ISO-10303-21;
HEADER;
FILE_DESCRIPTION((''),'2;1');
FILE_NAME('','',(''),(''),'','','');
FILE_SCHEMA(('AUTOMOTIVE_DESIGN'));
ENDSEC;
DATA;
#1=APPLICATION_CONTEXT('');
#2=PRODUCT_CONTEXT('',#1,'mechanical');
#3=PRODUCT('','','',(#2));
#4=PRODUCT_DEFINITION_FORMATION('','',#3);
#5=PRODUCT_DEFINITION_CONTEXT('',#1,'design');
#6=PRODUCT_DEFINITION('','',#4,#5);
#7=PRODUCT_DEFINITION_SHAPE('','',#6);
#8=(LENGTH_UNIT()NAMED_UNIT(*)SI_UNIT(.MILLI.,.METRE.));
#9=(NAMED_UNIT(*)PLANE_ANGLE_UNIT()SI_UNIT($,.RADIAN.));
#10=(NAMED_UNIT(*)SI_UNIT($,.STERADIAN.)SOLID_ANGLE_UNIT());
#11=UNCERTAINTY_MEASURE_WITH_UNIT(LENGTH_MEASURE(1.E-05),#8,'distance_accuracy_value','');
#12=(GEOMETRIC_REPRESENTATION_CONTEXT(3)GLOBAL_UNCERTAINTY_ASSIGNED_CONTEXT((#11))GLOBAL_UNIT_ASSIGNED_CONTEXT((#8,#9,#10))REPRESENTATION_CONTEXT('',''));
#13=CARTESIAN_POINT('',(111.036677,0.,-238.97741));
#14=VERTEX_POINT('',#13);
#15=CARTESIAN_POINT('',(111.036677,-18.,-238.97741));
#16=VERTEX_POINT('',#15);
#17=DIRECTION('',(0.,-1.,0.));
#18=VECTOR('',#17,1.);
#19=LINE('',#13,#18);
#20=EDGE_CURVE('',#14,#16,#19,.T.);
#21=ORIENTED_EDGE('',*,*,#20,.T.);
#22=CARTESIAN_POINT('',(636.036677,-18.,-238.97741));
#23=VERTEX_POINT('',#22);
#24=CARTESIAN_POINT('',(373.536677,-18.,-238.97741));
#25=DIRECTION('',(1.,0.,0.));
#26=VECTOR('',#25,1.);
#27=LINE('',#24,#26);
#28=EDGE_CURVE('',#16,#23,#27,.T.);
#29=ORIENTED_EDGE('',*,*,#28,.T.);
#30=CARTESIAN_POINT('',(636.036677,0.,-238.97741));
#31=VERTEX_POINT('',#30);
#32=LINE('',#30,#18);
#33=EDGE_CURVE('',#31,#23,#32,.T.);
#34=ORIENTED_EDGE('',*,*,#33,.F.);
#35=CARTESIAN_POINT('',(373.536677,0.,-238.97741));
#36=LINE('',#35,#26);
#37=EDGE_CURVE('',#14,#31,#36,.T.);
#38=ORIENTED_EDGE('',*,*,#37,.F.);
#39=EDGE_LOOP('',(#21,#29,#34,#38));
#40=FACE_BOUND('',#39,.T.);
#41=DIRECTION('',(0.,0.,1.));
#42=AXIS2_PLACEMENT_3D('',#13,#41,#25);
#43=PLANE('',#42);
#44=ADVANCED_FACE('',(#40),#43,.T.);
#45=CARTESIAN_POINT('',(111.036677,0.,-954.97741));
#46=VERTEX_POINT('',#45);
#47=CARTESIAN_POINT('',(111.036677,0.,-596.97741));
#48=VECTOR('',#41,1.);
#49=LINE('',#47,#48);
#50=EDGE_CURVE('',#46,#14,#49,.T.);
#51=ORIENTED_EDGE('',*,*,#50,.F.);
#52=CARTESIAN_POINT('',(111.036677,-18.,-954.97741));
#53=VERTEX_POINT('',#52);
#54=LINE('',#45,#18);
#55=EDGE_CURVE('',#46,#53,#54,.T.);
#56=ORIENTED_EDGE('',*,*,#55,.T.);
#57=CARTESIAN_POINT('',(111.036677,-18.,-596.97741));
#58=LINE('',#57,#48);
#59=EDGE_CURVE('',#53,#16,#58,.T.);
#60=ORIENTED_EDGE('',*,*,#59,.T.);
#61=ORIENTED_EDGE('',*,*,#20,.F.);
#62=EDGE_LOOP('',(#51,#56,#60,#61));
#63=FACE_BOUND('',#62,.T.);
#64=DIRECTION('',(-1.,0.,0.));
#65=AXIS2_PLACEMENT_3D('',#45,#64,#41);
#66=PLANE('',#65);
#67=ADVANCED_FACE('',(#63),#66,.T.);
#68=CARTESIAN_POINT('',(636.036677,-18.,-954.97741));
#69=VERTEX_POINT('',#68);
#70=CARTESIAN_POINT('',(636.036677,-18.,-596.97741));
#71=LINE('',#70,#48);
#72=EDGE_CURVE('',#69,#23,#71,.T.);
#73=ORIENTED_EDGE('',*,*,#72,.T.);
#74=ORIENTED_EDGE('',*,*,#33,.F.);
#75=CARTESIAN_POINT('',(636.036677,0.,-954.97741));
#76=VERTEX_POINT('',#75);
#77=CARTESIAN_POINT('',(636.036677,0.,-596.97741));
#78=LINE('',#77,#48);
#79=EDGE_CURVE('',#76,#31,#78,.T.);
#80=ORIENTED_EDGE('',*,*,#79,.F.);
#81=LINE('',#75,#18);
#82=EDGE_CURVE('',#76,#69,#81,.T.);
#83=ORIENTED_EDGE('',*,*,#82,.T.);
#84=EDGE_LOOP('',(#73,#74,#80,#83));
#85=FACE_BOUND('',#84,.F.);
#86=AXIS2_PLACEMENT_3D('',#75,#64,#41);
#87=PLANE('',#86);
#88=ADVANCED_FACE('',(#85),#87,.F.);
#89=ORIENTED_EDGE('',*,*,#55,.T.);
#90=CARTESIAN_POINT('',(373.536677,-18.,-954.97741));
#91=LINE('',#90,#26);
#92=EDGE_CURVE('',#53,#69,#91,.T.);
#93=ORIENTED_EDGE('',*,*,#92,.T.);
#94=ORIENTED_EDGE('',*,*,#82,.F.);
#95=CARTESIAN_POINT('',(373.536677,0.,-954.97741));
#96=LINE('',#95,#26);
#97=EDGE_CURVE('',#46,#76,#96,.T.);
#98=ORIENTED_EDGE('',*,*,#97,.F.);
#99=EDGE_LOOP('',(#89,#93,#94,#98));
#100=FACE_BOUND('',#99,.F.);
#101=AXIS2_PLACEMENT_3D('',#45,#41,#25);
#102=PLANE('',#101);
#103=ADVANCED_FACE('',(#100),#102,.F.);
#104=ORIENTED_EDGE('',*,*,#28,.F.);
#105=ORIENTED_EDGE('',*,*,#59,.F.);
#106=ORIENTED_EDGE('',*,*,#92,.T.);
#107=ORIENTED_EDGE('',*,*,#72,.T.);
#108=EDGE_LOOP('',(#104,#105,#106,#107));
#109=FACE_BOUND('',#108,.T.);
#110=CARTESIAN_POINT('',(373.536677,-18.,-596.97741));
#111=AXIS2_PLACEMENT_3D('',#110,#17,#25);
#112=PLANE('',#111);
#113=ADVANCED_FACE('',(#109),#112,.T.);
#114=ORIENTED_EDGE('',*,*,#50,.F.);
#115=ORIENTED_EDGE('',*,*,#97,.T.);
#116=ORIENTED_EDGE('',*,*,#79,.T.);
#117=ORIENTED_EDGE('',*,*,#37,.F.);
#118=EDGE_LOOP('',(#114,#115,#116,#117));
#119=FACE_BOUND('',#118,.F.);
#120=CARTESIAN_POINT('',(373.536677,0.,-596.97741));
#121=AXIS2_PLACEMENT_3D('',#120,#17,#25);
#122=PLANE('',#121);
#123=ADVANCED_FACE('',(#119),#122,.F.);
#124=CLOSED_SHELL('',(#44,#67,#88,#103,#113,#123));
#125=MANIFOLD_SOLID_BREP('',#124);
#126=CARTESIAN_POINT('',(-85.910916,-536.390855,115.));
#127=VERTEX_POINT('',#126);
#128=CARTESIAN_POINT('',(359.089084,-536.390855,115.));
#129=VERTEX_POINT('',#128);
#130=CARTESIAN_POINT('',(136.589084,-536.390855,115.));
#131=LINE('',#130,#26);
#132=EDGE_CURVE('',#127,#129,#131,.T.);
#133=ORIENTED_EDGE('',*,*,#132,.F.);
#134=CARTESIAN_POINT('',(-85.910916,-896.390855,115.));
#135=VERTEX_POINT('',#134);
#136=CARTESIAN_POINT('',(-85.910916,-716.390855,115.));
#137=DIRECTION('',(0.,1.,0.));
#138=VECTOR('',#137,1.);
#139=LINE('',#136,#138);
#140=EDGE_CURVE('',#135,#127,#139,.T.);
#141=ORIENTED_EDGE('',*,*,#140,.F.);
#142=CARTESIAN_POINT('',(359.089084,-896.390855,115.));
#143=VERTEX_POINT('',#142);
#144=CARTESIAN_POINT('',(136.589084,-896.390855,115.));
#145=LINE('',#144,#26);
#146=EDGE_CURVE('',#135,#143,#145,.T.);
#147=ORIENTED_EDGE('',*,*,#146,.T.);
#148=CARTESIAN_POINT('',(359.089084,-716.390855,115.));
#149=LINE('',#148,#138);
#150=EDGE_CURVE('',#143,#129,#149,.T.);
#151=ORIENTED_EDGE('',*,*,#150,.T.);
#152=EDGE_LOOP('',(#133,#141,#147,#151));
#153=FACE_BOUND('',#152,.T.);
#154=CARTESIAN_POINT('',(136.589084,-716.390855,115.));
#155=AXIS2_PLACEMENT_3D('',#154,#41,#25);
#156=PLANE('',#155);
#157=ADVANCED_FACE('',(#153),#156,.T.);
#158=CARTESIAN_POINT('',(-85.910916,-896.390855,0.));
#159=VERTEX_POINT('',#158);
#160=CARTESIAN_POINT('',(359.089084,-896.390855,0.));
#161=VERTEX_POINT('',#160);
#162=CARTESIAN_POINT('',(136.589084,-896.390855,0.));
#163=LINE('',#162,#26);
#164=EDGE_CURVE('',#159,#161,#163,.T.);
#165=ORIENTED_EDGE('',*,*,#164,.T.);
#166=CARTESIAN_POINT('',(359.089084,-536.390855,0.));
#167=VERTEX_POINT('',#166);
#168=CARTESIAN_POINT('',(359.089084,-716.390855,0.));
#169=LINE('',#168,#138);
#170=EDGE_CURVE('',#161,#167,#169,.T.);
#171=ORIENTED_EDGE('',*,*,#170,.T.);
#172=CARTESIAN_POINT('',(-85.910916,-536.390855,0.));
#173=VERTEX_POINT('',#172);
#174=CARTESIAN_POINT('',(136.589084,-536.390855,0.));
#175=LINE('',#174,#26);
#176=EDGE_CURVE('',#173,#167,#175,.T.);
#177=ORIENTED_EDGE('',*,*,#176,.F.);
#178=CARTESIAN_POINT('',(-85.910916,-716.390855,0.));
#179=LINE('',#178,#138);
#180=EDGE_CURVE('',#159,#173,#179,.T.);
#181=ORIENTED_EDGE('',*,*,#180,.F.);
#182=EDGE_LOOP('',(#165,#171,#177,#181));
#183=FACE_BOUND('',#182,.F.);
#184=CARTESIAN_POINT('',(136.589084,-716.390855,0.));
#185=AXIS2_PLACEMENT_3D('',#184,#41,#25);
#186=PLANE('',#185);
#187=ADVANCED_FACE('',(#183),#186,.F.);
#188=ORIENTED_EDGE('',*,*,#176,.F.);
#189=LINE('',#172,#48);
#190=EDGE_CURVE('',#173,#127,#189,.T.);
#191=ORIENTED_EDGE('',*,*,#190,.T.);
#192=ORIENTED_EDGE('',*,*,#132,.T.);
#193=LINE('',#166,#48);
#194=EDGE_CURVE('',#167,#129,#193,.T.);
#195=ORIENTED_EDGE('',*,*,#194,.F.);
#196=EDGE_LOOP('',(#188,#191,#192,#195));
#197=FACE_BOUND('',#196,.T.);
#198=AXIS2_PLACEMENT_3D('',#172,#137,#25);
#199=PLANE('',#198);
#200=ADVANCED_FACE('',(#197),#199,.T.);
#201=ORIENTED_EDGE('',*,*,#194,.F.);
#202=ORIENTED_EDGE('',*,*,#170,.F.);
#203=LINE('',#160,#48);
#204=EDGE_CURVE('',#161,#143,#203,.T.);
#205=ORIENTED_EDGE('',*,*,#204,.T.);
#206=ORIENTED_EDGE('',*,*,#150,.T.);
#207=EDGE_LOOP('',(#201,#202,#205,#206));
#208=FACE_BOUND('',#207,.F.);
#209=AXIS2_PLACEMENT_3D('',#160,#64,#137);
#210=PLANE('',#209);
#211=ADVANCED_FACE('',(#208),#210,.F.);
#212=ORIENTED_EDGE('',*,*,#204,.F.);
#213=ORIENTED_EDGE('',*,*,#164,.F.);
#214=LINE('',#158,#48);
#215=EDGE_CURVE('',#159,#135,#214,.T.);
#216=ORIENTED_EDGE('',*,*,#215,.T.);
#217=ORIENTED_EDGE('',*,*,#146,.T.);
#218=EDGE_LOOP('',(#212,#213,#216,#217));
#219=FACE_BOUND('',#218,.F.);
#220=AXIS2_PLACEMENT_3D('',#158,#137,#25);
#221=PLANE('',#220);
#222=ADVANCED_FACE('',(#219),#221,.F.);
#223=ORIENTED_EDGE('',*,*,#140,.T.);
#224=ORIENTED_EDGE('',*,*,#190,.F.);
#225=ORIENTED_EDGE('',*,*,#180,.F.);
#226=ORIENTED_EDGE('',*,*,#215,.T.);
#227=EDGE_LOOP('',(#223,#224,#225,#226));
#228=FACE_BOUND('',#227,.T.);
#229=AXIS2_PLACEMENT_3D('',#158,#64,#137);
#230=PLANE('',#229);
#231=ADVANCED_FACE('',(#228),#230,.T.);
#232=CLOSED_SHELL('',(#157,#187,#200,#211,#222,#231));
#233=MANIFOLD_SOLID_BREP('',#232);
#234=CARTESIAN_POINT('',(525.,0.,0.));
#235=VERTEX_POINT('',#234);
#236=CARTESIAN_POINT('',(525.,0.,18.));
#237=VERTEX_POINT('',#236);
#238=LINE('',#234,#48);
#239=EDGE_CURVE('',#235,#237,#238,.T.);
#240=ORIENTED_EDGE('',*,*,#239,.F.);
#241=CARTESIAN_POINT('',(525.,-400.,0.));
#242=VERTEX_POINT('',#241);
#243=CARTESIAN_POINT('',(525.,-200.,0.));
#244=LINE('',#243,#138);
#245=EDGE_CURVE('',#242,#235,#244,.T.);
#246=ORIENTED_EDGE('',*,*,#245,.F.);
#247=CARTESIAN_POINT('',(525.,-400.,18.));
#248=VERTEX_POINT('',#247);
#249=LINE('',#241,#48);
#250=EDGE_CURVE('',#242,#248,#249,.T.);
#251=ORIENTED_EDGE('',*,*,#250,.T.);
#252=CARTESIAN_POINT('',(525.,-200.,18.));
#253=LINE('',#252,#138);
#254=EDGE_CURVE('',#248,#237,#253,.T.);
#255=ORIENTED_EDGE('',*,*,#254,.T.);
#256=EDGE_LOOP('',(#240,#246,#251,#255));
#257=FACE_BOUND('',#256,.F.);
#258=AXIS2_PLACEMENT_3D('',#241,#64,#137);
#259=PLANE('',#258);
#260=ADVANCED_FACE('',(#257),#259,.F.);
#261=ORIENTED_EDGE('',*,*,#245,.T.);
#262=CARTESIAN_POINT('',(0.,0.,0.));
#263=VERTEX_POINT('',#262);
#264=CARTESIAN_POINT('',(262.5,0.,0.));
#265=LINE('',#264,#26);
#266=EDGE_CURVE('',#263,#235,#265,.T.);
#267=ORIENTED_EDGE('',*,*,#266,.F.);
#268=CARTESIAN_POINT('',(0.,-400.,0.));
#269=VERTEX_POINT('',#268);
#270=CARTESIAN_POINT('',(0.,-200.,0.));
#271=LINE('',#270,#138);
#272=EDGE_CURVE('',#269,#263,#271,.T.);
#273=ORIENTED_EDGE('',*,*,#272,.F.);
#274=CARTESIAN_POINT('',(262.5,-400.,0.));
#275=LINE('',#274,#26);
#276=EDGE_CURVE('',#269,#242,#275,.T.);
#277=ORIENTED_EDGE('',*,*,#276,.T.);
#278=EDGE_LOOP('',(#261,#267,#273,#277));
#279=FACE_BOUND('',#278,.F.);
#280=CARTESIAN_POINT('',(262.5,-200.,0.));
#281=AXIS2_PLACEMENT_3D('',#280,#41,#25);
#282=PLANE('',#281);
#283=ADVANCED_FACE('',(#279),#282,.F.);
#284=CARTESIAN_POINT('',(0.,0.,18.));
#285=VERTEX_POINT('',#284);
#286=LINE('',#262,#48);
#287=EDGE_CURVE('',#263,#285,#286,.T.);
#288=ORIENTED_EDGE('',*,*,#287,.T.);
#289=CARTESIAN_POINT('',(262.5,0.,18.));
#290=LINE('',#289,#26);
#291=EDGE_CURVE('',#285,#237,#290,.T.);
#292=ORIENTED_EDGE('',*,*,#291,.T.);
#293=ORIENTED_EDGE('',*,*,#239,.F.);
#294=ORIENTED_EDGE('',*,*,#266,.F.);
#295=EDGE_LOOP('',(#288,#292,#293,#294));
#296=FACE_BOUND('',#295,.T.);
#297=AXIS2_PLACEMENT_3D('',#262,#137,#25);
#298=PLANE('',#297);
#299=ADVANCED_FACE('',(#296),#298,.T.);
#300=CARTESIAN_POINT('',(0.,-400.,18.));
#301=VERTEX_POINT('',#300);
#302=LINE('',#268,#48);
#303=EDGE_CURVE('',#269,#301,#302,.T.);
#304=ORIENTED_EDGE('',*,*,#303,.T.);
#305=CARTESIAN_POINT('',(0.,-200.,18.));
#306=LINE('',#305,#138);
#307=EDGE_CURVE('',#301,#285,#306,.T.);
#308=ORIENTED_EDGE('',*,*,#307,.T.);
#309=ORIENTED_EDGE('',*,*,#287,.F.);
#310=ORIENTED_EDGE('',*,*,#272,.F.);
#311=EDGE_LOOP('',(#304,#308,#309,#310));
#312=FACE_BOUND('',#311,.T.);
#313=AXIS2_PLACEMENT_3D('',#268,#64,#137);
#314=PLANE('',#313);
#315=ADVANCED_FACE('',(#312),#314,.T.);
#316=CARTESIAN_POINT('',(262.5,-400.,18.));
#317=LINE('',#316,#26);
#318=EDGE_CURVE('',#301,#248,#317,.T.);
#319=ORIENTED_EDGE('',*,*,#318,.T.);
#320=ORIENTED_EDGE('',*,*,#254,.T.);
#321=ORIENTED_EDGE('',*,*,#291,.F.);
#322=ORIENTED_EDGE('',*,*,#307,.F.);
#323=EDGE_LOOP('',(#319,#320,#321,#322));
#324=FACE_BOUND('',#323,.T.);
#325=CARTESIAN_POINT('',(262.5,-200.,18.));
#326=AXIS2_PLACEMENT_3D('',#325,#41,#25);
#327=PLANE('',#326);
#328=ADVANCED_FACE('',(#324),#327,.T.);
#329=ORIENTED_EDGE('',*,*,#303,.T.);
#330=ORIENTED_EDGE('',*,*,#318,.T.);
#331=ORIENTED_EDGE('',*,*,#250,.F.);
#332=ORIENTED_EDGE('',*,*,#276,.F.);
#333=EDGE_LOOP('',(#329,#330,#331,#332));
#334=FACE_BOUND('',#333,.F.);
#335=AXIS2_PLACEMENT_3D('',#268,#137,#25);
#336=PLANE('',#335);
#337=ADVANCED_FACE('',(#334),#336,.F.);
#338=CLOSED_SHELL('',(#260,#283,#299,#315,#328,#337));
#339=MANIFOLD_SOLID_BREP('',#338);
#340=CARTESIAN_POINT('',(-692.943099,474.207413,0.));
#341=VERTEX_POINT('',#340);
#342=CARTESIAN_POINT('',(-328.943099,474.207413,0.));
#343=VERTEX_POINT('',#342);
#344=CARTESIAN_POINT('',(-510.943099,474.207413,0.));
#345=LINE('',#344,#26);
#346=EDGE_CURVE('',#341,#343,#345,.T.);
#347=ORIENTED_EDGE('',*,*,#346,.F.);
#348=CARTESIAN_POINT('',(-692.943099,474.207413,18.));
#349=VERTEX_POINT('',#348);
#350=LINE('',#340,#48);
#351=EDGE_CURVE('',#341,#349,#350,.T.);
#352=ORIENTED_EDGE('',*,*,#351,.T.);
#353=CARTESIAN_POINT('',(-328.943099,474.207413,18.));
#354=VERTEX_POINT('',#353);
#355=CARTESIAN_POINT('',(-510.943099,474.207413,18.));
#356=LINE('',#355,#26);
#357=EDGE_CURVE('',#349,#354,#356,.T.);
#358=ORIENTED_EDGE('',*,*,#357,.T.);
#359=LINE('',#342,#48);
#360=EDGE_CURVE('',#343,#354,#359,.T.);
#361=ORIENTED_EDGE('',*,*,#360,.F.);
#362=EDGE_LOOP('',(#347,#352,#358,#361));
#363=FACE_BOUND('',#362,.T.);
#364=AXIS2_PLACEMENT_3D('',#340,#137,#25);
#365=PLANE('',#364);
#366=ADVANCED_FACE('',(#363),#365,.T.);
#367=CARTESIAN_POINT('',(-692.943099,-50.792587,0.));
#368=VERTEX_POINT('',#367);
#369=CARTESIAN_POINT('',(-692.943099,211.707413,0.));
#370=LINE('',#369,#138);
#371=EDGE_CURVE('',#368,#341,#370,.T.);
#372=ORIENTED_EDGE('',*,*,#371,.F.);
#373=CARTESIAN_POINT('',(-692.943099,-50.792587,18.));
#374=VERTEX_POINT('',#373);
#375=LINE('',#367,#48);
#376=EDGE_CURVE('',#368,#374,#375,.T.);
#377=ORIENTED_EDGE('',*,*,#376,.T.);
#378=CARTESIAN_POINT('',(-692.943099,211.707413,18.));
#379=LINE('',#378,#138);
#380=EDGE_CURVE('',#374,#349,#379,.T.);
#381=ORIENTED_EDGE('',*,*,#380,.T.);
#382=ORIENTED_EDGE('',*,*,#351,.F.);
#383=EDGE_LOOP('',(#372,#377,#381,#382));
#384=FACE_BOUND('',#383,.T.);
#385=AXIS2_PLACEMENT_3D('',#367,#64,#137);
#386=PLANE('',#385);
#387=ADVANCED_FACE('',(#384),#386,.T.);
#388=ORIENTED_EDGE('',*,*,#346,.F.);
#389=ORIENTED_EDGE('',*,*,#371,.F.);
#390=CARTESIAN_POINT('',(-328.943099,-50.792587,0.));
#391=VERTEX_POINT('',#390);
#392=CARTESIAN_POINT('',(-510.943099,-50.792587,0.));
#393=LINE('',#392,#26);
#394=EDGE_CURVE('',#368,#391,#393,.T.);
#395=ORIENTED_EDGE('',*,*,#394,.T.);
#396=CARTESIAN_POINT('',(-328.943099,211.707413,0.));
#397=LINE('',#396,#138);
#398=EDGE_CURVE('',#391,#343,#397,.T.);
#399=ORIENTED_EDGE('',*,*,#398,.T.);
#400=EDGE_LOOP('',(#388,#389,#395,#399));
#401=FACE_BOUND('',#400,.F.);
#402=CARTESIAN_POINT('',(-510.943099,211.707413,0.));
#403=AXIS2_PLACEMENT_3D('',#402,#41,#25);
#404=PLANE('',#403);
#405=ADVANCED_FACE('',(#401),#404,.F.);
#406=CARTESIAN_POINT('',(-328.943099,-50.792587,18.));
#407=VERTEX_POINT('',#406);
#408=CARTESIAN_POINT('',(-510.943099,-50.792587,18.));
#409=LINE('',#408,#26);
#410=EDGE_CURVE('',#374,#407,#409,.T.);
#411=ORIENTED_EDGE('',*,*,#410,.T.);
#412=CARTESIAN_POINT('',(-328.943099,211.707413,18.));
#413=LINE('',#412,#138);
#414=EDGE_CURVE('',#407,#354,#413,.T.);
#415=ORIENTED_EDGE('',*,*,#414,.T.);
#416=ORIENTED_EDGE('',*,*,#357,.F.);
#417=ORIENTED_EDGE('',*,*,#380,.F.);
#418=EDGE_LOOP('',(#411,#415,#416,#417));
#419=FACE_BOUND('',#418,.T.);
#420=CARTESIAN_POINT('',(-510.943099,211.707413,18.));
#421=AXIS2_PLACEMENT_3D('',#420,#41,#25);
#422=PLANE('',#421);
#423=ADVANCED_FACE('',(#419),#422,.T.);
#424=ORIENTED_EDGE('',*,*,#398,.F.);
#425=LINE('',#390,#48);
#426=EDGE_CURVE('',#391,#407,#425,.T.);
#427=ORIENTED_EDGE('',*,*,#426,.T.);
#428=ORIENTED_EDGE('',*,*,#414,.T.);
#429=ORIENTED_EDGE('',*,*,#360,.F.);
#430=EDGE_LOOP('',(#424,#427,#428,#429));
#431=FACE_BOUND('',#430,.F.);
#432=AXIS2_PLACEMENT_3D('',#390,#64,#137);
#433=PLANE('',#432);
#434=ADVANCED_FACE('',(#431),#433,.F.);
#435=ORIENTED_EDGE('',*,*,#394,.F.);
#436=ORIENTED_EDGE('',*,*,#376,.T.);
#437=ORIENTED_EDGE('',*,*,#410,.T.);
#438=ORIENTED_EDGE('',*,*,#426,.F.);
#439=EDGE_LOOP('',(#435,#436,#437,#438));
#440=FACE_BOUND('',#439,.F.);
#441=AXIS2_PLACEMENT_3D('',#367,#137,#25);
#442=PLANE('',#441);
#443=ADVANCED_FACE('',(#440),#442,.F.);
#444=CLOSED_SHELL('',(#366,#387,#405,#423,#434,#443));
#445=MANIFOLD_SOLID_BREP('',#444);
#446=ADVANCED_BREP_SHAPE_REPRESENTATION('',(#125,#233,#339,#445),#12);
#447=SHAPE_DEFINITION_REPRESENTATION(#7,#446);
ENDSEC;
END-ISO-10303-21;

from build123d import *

# Parameters (mm, degrees)
F0_W     = 525
F0_H     = 400
F1_DEPTH = 18
F2_W     = 525
F2_H     = 716
F3_DEPTH = 18
F4_W     = 364
F4_H     = 525
F5_DEPTH = 18
F6_W     = 445
F6_H     = 360
F7_DEPTH = 115


with BuildPart() as f1:
    # F0 (on Top) → F1 (new body)
    with BuildSketch(Plane.XY):
        with Locations((262.5, -200)):
            Rectangle(F0_W, F0_H)
    extrude(amount=F1_DEPTH)


with BuildPart() as f3:
    # F2 (on Front) → F3 (new body)
    with BuildSketch(Plane.XZ):
        with Locations((373.536677, -596.97741)):
            Rectangle(F2_W, F2_H)
    extrude(amount=F3_DEPTH)


with BuildPart() as f5:
    # F4 (on Top) → F5 (new body)
    with BuildSketch(Plane.XY):
        with Locations((-510.943099, 211.707413)):
            Rectangle(F4_W, F4_H)
    extrude(amount=F5_DEPTH)


with BuildPart() as f7:
    # F6 (on Top) → F7 (new body)
    with BuildSketch(Plane.XY):
        with Locations((136.589084, -716.390855)):
            Rectangle(F6_W, F6_H)
    extrude(amount=F7_DEPTH)


solid = Compound([f1.part, f3.part, f5.part, f7.part])
